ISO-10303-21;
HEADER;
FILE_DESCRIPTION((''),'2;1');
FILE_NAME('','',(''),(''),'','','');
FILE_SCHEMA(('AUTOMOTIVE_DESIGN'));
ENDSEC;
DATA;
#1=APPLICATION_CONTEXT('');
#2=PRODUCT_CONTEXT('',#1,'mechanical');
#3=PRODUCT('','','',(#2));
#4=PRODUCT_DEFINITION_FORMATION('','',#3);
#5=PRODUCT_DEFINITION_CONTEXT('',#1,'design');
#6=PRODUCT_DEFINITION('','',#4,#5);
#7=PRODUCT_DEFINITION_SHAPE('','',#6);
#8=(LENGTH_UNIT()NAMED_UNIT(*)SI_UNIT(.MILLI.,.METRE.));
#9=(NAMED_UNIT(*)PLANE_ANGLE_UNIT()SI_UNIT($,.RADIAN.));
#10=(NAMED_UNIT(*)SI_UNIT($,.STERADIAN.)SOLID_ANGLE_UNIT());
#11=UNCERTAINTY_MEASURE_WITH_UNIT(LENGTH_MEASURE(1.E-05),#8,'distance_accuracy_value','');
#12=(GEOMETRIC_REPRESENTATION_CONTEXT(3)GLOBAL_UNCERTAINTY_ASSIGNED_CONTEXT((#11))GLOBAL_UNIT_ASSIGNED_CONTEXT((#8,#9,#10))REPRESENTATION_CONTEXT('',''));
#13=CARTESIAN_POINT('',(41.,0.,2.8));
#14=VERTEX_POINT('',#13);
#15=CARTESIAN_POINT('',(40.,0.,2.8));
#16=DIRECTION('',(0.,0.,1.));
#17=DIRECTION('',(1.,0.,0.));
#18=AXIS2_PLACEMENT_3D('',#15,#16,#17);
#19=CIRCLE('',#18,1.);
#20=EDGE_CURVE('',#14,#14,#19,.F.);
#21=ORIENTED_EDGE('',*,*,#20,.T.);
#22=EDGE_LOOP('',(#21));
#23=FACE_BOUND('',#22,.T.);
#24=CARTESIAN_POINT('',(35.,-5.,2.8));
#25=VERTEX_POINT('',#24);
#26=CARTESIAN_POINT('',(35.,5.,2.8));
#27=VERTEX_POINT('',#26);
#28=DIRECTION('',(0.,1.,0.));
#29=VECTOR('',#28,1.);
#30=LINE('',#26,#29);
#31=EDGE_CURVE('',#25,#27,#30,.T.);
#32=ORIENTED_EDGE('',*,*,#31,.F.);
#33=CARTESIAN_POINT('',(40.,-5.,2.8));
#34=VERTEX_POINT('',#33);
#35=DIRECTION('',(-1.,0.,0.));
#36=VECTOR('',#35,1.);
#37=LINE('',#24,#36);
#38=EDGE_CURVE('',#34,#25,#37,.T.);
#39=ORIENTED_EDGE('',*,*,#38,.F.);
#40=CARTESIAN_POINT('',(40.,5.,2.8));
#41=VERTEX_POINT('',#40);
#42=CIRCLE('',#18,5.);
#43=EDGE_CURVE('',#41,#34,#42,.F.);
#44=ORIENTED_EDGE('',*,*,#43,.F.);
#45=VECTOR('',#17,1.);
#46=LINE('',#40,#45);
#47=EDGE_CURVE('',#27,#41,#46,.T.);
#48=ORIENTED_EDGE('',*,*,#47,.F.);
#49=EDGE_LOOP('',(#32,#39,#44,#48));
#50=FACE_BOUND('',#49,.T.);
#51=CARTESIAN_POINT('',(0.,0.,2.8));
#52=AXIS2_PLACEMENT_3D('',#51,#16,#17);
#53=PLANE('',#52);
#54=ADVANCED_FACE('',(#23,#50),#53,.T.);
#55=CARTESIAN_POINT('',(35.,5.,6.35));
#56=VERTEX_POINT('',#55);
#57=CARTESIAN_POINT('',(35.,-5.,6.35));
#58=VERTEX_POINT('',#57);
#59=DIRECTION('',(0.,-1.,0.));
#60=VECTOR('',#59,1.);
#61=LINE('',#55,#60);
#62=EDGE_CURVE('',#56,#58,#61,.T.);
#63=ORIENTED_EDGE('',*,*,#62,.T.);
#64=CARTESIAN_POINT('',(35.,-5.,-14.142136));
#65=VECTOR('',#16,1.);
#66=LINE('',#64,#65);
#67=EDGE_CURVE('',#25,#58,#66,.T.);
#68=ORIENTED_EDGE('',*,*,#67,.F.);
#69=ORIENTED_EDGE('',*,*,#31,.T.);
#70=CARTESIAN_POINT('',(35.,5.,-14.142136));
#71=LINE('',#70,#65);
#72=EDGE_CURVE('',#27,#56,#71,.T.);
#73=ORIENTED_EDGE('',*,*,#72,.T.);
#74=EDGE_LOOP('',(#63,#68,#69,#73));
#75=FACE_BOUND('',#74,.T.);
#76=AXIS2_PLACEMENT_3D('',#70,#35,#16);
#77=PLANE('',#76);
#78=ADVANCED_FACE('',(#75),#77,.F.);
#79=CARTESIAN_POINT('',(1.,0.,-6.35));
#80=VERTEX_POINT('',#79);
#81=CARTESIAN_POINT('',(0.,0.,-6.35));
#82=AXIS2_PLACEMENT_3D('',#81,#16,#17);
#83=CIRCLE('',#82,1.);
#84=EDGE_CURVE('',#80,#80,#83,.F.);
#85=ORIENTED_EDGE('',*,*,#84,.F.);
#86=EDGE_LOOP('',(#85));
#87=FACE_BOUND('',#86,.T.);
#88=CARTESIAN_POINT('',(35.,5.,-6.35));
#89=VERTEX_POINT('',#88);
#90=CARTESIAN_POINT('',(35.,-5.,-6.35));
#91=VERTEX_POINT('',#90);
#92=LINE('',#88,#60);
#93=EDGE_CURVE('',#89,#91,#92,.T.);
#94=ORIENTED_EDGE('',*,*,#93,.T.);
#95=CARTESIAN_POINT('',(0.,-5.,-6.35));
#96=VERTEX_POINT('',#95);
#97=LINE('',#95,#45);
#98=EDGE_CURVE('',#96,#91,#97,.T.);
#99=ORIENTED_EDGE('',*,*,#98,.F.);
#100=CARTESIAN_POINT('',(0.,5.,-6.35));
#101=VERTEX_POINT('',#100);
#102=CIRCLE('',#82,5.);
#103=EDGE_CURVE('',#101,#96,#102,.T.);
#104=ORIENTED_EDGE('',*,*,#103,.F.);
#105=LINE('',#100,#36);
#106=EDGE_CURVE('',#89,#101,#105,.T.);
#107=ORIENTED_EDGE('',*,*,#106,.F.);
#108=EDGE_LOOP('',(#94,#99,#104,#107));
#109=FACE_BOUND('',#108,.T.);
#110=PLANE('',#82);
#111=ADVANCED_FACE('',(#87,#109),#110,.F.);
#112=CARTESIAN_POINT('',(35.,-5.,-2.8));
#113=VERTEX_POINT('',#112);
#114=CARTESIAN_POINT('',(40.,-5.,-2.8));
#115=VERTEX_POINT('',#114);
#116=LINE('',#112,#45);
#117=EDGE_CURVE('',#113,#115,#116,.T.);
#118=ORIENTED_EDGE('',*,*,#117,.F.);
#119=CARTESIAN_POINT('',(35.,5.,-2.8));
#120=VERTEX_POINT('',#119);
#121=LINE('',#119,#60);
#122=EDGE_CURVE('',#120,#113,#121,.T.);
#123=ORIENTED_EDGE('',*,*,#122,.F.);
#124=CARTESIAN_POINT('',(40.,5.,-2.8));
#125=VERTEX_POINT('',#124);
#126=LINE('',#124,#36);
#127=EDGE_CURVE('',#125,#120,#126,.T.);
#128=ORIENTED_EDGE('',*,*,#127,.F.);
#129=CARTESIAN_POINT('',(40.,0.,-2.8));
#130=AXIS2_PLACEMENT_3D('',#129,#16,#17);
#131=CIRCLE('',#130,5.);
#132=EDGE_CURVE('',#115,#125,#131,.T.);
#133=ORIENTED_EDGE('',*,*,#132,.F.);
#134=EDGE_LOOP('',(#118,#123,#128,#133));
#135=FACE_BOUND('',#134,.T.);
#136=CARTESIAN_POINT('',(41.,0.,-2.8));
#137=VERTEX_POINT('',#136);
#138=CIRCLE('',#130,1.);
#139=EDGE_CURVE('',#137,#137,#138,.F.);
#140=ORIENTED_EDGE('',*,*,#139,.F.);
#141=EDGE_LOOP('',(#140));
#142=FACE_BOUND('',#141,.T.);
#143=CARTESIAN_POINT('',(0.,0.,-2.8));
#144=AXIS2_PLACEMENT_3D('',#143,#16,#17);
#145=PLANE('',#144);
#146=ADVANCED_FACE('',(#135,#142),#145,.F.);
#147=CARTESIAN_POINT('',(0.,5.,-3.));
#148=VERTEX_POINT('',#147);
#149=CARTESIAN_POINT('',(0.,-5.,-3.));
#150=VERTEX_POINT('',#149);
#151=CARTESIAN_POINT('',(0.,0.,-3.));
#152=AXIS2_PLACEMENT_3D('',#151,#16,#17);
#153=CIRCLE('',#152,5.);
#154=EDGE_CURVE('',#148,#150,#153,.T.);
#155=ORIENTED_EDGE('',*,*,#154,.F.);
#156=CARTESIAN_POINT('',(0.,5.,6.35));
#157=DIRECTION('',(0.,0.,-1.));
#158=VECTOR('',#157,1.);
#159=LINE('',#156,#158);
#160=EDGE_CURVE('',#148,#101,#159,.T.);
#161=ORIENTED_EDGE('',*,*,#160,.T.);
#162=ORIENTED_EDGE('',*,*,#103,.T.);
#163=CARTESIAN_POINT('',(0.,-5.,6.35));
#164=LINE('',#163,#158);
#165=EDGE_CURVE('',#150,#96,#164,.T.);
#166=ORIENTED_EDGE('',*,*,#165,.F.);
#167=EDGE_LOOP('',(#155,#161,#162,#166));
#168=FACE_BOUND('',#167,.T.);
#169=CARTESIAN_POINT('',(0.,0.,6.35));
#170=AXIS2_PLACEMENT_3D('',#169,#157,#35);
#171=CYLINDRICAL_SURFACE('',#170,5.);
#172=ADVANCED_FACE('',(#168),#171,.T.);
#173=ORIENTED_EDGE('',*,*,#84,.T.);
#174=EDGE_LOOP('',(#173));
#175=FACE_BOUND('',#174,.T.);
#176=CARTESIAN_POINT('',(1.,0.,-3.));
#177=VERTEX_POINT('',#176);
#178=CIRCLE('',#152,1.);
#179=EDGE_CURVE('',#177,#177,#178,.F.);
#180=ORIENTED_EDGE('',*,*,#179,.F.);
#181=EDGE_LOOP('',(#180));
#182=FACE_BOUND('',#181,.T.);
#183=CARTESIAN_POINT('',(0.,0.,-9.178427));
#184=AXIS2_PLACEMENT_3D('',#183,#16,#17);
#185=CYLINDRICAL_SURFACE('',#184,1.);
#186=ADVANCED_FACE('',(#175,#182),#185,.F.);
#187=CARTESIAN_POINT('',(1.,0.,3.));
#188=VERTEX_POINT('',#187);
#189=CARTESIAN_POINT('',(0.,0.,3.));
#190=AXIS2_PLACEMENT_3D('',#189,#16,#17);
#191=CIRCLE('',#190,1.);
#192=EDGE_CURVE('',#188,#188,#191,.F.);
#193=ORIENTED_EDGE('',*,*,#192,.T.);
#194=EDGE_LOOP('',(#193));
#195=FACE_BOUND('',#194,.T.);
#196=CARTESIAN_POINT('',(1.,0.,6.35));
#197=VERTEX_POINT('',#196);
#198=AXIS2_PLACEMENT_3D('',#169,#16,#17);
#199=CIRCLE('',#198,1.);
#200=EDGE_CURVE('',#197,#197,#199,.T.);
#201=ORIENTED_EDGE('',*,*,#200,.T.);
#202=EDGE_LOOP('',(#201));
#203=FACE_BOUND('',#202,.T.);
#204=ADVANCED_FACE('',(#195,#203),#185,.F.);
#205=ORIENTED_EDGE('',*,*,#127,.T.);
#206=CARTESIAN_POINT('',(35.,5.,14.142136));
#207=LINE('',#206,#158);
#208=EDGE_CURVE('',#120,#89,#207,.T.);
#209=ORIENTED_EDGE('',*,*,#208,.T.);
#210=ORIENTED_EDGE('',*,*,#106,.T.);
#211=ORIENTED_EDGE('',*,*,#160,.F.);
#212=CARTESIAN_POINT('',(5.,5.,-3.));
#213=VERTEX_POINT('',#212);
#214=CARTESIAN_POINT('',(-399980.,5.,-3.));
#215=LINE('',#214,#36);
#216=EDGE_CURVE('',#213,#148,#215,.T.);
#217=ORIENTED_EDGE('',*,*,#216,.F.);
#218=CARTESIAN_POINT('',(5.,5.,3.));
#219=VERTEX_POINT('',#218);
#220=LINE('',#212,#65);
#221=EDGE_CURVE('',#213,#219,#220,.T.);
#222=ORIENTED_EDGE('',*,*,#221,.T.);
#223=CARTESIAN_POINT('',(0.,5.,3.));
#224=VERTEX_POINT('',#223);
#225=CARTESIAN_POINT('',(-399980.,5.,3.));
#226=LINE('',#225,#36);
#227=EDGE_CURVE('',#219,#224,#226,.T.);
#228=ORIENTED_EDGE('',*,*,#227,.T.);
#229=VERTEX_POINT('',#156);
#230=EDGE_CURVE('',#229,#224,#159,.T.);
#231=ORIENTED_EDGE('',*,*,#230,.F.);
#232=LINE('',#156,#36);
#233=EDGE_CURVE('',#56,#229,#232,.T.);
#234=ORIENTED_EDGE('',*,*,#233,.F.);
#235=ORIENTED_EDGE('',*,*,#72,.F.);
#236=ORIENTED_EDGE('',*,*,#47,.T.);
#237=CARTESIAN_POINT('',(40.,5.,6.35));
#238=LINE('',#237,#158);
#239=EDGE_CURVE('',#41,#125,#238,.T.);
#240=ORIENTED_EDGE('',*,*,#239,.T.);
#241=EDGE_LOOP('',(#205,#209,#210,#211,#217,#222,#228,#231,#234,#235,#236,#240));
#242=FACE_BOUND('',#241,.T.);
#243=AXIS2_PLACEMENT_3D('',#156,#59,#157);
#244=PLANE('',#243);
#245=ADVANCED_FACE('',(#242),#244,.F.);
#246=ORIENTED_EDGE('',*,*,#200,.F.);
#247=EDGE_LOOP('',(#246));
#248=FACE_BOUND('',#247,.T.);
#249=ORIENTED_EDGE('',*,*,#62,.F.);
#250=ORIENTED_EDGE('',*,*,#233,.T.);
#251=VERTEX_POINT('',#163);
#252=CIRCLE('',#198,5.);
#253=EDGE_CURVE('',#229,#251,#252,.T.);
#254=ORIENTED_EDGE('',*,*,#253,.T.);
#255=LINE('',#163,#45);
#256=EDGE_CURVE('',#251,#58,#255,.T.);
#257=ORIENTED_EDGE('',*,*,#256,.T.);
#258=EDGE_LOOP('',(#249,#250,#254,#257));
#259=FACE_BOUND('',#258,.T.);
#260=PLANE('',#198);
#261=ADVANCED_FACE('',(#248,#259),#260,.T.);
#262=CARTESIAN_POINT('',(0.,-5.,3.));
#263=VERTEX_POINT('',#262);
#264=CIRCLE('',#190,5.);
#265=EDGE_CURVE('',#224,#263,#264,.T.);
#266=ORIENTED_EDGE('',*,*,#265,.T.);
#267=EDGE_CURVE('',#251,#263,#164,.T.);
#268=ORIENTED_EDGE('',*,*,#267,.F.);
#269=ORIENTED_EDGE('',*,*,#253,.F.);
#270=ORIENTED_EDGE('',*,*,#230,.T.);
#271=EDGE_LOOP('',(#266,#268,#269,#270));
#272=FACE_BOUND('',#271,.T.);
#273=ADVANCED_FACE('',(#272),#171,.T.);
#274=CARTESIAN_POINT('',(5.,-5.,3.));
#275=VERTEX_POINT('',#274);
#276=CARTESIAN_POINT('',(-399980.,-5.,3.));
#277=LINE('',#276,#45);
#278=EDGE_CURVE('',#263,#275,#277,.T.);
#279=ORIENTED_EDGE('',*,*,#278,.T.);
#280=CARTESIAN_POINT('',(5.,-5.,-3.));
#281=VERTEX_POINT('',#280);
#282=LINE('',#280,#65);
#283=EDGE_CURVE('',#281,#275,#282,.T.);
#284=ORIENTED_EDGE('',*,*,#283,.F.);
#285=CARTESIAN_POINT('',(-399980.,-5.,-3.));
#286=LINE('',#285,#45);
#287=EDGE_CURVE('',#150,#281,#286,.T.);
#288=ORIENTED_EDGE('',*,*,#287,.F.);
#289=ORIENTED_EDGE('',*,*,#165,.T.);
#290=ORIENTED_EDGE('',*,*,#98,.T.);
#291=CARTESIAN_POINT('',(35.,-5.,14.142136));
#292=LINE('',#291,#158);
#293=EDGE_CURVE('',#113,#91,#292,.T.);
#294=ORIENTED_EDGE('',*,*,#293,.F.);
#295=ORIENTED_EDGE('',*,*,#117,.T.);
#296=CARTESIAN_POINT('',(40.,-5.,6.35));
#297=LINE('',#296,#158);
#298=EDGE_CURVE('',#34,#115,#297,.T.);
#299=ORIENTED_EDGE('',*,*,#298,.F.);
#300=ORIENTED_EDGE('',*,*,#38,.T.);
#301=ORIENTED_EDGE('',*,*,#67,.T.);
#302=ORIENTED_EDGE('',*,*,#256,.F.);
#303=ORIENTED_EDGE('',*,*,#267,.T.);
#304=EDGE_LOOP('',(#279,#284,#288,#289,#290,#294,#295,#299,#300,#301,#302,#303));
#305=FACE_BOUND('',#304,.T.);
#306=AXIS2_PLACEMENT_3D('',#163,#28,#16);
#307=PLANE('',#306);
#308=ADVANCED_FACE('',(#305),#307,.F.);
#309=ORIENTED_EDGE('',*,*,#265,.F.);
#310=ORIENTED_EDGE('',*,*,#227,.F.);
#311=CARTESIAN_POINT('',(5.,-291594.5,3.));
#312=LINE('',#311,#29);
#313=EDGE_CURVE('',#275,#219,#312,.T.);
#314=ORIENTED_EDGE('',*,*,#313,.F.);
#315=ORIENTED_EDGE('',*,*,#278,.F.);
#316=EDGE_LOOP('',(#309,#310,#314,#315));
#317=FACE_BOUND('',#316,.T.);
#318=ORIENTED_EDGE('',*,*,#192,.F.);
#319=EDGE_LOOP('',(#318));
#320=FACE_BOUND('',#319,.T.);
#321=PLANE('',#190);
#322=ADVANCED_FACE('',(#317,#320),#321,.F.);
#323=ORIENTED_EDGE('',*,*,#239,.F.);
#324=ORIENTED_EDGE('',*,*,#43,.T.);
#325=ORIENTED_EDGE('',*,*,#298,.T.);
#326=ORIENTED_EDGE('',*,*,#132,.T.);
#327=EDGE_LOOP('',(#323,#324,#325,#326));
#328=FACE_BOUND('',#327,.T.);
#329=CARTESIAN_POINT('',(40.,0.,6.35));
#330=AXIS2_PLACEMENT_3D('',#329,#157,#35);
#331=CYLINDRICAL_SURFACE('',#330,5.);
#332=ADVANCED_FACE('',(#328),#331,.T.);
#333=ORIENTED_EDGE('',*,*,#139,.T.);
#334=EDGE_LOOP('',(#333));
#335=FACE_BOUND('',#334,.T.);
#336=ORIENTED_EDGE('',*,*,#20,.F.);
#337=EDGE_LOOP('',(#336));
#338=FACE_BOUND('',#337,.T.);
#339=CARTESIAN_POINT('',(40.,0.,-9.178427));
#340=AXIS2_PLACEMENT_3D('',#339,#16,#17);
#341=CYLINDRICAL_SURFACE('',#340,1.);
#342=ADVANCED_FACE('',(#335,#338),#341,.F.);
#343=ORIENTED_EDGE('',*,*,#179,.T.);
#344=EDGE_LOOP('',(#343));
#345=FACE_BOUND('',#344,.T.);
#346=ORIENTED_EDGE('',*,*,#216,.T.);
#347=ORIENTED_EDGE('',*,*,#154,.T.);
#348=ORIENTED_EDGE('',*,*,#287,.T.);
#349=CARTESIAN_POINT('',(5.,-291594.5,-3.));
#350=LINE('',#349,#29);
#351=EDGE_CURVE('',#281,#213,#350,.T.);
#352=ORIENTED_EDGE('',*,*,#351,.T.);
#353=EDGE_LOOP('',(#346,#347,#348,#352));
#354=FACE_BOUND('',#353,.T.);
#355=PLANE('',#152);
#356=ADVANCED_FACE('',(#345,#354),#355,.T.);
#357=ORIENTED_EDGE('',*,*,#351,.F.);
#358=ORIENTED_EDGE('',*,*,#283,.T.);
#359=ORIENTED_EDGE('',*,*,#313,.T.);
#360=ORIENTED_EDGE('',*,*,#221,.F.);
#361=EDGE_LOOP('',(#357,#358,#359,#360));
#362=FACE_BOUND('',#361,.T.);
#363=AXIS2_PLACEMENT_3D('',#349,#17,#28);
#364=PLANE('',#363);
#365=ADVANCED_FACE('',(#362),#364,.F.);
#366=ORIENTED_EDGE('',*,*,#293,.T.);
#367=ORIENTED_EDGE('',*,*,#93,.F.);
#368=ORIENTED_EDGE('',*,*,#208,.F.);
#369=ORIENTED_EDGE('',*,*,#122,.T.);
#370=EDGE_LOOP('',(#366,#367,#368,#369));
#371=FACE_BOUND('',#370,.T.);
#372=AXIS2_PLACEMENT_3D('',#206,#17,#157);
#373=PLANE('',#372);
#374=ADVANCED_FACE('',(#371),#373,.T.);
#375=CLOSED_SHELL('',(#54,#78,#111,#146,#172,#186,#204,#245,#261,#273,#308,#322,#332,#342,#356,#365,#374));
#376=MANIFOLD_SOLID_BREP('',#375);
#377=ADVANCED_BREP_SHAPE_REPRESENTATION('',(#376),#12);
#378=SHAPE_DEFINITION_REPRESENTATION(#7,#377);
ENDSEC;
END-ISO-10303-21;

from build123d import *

# Parameters (mm, degrees)
BOSS_EXTRUDE1_DEPTH = 6.35
SKETCH2_R           = 1
CUT_EXTRUDE1_DEPTH  = 12.7
CUT_EXTRUDE2_DEPTH  = 3.55
CUT_EXTRUDE3_START  = -6.35
CUT_EXTRUDE3_DEPTH  = 3


with BuildPart() as part:
    # Sketch1 → Boss-Extrude1 (new, symmetric)
    with BuildSketch(Plane.XY):
        with BuildLine():
            Line((0, 5), (40, 5))
            ThreePointArc((40, 5), (45, 0), (40, -5))
            Line((40, -5), (0, -5))
            ThreePointArc((0, -5), (-5, 0), (0, 5))
        make_face()
    extrude(amount=BOSS_EXTRUDE1_DEPTH, both=True)

    # Sketch2 → Cut-Extrude1 (cut)
    with BuildSketch(Plane.XY.offset(6.35)):
        with Locations((40, 0)):
            Circle(SKETCH2_R)
        Circle(SKETCH2_R)
    extrude(amount=-CUT_EXTRUDE1_DEPTH, mode=Mode.SUBTRACT)

    # Sketch3 → Cut-Extrude2 (cut)
    with BuildSketch(Plane.XY.offset(6.35)):
        with BuildLine():
            Line((35, 5), (35, -5))
            Line((35, -5), (40, -5))
            ThreePointArc((40, -5), (45, 0), (40, 5))
            Line((40, 5), (35, 5))
        make_face()
    cut_extrude2 = extrude(amount=-CUT_EXTRUDE2_DEPTH, mode=Mode.SUBTRACT)

    # Mirror1: Cut-Extrude2 across plane
    add(cut_extrude2.mirror(Plane.XY), mode=Mode.SUBTRACT)

    # Sketch4 → Cut-Extrude3 (cut, symmetric)
    with BuildSketch(Plane.XY.offset(6.35).offset(CUT_EXTRUDE3_START)):
        with BuildLine():
            Line((5, 5), (5, -5))
            Line((5, -5), (0, -5))
            ThreePointArc((0, -5), (-5, 0), (0, 5))
            Line((0, 5), (5, 5))
        make_face()
    extrude(amount=CUT_EXTRUDE3_DEPTH, both=True, mode=Mode.SUBTRACT)


solid = part.part
